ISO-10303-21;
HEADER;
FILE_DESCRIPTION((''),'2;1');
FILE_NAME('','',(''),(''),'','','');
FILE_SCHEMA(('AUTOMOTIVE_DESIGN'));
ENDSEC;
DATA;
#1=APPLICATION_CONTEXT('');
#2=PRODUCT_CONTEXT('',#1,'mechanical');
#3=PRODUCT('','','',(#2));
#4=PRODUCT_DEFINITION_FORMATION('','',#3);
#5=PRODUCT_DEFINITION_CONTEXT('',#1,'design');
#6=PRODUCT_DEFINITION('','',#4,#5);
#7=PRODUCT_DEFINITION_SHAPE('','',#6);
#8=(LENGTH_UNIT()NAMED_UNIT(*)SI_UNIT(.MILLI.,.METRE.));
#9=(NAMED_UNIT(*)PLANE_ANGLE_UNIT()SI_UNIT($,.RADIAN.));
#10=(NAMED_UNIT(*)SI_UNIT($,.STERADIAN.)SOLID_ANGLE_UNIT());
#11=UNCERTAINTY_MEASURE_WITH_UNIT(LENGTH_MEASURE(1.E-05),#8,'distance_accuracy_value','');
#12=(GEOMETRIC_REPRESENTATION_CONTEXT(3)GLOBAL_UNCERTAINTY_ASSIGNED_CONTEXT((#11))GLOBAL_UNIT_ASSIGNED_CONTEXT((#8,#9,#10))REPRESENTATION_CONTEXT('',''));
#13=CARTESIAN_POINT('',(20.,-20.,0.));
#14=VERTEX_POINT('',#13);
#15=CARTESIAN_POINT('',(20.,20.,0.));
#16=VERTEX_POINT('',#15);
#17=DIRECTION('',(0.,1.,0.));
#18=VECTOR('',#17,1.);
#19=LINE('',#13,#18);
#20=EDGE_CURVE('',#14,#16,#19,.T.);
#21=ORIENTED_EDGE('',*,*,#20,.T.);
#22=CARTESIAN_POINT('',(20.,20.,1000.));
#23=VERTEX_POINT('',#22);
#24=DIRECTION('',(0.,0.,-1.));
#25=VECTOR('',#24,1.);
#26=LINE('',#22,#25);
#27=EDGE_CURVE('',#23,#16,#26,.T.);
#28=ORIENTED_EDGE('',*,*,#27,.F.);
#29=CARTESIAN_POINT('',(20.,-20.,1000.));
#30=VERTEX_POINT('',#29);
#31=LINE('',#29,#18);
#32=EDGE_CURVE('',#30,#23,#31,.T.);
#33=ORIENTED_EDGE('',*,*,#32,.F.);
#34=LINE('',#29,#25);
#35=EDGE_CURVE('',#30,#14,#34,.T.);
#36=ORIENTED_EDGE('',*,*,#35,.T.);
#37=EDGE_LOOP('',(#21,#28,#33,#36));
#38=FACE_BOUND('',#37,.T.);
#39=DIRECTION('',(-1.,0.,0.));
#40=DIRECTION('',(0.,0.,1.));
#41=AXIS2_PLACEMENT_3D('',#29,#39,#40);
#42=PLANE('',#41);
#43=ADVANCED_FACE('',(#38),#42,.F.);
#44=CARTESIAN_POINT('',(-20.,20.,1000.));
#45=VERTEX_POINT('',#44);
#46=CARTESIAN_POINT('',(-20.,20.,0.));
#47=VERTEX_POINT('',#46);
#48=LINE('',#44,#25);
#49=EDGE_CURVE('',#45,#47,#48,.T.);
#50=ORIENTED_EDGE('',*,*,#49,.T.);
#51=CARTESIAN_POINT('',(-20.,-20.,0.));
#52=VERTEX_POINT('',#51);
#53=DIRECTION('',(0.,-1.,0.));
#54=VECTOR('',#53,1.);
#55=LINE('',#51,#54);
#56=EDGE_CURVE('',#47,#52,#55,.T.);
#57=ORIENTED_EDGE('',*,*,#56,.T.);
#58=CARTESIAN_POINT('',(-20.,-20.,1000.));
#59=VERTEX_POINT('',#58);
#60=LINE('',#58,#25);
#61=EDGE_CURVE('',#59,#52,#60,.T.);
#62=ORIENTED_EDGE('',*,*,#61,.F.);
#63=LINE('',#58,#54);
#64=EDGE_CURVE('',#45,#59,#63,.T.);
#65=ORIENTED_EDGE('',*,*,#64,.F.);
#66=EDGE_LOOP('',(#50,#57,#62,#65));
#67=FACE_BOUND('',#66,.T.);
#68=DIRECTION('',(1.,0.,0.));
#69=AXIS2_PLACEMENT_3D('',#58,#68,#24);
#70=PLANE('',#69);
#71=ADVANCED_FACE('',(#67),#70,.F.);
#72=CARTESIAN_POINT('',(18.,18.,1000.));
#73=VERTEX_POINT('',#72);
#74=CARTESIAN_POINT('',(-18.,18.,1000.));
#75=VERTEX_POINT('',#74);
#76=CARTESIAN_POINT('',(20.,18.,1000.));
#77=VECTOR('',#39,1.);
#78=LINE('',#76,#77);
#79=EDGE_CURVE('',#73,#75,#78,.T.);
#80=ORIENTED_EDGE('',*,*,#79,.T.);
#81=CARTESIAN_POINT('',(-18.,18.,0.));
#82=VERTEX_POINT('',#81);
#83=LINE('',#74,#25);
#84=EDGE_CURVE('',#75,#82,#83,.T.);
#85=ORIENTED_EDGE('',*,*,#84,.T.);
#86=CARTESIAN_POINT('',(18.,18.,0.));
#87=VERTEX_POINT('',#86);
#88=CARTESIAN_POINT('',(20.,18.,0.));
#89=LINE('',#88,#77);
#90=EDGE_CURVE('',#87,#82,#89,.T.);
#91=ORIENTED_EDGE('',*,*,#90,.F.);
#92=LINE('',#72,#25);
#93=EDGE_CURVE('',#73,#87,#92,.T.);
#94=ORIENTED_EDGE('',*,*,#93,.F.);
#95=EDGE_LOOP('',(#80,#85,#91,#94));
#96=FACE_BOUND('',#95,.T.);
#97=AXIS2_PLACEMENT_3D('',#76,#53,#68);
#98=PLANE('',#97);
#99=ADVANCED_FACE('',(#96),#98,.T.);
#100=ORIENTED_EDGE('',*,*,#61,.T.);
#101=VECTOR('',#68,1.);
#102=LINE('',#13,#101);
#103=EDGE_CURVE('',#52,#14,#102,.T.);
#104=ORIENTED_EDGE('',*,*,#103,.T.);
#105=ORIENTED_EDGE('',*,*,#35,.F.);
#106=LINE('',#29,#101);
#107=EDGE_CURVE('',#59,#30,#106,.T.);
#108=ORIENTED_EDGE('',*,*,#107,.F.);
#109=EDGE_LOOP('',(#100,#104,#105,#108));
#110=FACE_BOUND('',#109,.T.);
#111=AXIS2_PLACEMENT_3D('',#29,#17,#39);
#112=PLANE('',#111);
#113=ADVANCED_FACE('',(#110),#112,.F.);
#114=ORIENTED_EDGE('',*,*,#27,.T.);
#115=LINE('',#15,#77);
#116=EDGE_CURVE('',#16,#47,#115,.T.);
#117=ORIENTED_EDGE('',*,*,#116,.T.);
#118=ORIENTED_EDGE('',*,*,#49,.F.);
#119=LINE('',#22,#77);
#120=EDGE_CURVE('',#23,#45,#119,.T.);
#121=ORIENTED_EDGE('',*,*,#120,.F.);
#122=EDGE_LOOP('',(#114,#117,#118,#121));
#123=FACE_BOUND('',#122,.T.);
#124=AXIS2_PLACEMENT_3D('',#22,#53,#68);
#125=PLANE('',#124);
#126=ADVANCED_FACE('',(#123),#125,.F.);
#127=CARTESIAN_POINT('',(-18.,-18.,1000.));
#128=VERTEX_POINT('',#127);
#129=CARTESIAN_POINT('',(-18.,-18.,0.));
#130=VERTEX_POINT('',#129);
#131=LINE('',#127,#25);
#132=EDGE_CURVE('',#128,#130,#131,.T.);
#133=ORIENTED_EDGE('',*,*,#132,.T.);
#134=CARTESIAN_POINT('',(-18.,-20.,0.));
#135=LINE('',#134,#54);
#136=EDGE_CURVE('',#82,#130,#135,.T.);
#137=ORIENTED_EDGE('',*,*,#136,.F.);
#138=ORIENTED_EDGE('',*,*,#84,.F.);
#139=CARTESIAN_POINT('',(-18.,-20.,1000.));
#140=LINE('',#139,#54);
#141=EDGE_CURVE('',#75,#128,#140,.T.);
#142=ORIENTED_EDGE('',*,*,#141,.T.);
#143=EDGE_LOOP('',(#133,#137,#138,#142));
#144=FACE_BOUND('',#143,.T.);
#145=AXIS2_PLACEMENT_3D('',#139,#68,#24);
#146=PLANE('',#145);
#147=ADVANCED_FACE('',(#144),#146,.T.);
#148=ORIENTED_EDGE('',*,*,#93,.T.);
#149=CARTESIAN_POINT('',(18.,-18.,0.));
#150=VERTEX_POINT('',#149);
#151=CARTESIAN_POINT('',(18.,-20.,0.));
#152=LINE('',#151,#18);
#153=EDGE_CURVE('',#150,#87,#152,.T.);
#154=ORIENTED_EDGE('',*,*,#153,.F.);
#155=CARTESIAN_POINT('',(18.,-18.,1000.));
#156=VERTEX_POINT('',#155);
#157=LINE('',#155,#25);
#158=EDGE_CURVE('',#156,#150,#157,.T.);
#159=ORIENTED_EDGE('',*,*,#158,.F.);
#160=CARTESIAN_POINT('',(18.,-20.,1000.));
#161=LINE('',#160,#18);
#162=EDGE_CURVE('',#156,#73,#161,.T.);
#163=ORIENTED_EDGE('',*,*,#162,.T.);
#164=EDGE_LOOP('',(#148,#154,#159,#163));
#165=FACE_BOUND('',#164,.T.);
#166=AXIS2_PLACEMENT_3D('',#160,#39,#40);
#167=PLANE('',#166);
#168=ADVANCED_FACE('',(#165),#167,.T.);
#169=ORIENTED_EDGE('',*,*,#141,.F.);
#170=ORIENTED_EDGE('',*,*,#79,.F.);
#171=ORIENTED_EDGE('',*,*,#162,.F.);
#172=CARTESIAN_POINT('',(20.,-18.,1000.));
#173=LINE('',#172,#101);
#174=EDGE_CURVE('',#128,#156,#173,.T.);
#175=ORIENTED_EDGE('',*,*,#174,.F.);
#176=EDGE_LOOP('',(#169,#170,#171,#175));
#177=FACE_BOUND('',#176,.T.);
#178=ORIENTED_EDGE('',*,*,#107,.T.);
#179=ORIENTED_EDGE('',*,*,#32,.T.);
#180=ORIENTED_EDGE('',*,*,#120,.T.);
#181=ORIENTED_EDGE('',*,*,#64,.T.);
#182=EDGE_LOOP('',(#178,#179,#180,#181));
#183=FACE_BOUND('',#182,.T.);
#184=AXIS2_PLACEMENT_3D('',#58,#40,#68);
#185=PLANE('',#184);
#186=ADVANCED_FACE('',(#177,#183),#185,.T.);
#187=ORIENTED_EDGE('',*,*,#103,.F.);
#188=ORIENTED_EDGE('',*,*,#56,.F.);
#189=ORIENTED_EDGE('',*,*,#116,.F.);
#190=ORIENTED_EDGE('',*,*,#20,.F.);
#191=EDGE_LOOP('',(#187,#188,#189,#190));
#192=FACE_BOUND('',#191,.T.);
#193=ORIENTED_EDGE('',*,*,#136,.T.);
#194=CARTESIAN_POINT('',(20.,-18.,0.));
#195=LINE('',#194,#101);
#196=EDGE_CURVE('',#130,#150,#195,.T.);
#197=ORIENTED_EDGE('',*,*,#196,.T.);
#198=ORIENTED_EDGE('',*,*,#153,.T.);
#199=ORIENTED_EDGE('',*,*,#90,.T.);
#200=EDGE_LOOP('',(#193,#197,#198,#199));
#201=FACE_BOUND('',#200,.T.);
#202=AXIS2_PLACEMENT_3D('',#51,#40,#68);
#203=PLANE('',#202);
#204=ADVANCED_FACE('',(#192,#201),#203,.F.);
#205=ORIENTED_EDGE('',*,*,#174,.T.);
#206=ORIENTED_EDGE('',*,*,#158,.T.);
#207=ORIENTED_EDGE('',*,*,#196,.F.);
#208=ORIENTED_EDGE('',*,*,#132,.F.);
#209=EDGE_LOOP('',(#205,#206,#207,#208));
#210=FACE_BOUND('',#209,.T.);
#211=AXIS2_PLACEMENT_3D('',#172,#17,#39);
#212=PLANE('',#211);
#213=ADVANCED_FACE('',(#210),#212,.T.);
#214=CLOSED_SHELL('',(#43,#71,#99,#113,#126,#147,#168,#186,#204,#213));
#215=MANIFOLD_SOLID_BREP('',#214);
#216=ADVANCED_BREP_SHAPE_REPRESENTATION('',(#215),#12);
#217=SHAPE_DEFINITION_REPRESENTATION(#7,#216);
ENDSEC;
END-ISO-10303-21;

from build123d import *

# Parameters (mm, degrees)
CROQUIS1_W            = 40
CROQUIS1_H            = 40
CROQUIS1_W_2          = 36
CROQUIS1_H_2          = 36
EXTRUIR_L_MINA1_DEPTH = 1000


with BuildPart() as part:
    # Croquis1 → Extruir-Lámina1 (new body)
    with BuildSketch(Plane.XY):
        Rectangle(CROQUIS1_W, CROQUIS1_H)
        Rectangle(CROQUIS1_W_2, CROQUIS1_H_2, mode=Mode.SUBTRACT)
    extrude(amount=EXTRUIR_L_MINA1_DEPTH)


solid = part.part
